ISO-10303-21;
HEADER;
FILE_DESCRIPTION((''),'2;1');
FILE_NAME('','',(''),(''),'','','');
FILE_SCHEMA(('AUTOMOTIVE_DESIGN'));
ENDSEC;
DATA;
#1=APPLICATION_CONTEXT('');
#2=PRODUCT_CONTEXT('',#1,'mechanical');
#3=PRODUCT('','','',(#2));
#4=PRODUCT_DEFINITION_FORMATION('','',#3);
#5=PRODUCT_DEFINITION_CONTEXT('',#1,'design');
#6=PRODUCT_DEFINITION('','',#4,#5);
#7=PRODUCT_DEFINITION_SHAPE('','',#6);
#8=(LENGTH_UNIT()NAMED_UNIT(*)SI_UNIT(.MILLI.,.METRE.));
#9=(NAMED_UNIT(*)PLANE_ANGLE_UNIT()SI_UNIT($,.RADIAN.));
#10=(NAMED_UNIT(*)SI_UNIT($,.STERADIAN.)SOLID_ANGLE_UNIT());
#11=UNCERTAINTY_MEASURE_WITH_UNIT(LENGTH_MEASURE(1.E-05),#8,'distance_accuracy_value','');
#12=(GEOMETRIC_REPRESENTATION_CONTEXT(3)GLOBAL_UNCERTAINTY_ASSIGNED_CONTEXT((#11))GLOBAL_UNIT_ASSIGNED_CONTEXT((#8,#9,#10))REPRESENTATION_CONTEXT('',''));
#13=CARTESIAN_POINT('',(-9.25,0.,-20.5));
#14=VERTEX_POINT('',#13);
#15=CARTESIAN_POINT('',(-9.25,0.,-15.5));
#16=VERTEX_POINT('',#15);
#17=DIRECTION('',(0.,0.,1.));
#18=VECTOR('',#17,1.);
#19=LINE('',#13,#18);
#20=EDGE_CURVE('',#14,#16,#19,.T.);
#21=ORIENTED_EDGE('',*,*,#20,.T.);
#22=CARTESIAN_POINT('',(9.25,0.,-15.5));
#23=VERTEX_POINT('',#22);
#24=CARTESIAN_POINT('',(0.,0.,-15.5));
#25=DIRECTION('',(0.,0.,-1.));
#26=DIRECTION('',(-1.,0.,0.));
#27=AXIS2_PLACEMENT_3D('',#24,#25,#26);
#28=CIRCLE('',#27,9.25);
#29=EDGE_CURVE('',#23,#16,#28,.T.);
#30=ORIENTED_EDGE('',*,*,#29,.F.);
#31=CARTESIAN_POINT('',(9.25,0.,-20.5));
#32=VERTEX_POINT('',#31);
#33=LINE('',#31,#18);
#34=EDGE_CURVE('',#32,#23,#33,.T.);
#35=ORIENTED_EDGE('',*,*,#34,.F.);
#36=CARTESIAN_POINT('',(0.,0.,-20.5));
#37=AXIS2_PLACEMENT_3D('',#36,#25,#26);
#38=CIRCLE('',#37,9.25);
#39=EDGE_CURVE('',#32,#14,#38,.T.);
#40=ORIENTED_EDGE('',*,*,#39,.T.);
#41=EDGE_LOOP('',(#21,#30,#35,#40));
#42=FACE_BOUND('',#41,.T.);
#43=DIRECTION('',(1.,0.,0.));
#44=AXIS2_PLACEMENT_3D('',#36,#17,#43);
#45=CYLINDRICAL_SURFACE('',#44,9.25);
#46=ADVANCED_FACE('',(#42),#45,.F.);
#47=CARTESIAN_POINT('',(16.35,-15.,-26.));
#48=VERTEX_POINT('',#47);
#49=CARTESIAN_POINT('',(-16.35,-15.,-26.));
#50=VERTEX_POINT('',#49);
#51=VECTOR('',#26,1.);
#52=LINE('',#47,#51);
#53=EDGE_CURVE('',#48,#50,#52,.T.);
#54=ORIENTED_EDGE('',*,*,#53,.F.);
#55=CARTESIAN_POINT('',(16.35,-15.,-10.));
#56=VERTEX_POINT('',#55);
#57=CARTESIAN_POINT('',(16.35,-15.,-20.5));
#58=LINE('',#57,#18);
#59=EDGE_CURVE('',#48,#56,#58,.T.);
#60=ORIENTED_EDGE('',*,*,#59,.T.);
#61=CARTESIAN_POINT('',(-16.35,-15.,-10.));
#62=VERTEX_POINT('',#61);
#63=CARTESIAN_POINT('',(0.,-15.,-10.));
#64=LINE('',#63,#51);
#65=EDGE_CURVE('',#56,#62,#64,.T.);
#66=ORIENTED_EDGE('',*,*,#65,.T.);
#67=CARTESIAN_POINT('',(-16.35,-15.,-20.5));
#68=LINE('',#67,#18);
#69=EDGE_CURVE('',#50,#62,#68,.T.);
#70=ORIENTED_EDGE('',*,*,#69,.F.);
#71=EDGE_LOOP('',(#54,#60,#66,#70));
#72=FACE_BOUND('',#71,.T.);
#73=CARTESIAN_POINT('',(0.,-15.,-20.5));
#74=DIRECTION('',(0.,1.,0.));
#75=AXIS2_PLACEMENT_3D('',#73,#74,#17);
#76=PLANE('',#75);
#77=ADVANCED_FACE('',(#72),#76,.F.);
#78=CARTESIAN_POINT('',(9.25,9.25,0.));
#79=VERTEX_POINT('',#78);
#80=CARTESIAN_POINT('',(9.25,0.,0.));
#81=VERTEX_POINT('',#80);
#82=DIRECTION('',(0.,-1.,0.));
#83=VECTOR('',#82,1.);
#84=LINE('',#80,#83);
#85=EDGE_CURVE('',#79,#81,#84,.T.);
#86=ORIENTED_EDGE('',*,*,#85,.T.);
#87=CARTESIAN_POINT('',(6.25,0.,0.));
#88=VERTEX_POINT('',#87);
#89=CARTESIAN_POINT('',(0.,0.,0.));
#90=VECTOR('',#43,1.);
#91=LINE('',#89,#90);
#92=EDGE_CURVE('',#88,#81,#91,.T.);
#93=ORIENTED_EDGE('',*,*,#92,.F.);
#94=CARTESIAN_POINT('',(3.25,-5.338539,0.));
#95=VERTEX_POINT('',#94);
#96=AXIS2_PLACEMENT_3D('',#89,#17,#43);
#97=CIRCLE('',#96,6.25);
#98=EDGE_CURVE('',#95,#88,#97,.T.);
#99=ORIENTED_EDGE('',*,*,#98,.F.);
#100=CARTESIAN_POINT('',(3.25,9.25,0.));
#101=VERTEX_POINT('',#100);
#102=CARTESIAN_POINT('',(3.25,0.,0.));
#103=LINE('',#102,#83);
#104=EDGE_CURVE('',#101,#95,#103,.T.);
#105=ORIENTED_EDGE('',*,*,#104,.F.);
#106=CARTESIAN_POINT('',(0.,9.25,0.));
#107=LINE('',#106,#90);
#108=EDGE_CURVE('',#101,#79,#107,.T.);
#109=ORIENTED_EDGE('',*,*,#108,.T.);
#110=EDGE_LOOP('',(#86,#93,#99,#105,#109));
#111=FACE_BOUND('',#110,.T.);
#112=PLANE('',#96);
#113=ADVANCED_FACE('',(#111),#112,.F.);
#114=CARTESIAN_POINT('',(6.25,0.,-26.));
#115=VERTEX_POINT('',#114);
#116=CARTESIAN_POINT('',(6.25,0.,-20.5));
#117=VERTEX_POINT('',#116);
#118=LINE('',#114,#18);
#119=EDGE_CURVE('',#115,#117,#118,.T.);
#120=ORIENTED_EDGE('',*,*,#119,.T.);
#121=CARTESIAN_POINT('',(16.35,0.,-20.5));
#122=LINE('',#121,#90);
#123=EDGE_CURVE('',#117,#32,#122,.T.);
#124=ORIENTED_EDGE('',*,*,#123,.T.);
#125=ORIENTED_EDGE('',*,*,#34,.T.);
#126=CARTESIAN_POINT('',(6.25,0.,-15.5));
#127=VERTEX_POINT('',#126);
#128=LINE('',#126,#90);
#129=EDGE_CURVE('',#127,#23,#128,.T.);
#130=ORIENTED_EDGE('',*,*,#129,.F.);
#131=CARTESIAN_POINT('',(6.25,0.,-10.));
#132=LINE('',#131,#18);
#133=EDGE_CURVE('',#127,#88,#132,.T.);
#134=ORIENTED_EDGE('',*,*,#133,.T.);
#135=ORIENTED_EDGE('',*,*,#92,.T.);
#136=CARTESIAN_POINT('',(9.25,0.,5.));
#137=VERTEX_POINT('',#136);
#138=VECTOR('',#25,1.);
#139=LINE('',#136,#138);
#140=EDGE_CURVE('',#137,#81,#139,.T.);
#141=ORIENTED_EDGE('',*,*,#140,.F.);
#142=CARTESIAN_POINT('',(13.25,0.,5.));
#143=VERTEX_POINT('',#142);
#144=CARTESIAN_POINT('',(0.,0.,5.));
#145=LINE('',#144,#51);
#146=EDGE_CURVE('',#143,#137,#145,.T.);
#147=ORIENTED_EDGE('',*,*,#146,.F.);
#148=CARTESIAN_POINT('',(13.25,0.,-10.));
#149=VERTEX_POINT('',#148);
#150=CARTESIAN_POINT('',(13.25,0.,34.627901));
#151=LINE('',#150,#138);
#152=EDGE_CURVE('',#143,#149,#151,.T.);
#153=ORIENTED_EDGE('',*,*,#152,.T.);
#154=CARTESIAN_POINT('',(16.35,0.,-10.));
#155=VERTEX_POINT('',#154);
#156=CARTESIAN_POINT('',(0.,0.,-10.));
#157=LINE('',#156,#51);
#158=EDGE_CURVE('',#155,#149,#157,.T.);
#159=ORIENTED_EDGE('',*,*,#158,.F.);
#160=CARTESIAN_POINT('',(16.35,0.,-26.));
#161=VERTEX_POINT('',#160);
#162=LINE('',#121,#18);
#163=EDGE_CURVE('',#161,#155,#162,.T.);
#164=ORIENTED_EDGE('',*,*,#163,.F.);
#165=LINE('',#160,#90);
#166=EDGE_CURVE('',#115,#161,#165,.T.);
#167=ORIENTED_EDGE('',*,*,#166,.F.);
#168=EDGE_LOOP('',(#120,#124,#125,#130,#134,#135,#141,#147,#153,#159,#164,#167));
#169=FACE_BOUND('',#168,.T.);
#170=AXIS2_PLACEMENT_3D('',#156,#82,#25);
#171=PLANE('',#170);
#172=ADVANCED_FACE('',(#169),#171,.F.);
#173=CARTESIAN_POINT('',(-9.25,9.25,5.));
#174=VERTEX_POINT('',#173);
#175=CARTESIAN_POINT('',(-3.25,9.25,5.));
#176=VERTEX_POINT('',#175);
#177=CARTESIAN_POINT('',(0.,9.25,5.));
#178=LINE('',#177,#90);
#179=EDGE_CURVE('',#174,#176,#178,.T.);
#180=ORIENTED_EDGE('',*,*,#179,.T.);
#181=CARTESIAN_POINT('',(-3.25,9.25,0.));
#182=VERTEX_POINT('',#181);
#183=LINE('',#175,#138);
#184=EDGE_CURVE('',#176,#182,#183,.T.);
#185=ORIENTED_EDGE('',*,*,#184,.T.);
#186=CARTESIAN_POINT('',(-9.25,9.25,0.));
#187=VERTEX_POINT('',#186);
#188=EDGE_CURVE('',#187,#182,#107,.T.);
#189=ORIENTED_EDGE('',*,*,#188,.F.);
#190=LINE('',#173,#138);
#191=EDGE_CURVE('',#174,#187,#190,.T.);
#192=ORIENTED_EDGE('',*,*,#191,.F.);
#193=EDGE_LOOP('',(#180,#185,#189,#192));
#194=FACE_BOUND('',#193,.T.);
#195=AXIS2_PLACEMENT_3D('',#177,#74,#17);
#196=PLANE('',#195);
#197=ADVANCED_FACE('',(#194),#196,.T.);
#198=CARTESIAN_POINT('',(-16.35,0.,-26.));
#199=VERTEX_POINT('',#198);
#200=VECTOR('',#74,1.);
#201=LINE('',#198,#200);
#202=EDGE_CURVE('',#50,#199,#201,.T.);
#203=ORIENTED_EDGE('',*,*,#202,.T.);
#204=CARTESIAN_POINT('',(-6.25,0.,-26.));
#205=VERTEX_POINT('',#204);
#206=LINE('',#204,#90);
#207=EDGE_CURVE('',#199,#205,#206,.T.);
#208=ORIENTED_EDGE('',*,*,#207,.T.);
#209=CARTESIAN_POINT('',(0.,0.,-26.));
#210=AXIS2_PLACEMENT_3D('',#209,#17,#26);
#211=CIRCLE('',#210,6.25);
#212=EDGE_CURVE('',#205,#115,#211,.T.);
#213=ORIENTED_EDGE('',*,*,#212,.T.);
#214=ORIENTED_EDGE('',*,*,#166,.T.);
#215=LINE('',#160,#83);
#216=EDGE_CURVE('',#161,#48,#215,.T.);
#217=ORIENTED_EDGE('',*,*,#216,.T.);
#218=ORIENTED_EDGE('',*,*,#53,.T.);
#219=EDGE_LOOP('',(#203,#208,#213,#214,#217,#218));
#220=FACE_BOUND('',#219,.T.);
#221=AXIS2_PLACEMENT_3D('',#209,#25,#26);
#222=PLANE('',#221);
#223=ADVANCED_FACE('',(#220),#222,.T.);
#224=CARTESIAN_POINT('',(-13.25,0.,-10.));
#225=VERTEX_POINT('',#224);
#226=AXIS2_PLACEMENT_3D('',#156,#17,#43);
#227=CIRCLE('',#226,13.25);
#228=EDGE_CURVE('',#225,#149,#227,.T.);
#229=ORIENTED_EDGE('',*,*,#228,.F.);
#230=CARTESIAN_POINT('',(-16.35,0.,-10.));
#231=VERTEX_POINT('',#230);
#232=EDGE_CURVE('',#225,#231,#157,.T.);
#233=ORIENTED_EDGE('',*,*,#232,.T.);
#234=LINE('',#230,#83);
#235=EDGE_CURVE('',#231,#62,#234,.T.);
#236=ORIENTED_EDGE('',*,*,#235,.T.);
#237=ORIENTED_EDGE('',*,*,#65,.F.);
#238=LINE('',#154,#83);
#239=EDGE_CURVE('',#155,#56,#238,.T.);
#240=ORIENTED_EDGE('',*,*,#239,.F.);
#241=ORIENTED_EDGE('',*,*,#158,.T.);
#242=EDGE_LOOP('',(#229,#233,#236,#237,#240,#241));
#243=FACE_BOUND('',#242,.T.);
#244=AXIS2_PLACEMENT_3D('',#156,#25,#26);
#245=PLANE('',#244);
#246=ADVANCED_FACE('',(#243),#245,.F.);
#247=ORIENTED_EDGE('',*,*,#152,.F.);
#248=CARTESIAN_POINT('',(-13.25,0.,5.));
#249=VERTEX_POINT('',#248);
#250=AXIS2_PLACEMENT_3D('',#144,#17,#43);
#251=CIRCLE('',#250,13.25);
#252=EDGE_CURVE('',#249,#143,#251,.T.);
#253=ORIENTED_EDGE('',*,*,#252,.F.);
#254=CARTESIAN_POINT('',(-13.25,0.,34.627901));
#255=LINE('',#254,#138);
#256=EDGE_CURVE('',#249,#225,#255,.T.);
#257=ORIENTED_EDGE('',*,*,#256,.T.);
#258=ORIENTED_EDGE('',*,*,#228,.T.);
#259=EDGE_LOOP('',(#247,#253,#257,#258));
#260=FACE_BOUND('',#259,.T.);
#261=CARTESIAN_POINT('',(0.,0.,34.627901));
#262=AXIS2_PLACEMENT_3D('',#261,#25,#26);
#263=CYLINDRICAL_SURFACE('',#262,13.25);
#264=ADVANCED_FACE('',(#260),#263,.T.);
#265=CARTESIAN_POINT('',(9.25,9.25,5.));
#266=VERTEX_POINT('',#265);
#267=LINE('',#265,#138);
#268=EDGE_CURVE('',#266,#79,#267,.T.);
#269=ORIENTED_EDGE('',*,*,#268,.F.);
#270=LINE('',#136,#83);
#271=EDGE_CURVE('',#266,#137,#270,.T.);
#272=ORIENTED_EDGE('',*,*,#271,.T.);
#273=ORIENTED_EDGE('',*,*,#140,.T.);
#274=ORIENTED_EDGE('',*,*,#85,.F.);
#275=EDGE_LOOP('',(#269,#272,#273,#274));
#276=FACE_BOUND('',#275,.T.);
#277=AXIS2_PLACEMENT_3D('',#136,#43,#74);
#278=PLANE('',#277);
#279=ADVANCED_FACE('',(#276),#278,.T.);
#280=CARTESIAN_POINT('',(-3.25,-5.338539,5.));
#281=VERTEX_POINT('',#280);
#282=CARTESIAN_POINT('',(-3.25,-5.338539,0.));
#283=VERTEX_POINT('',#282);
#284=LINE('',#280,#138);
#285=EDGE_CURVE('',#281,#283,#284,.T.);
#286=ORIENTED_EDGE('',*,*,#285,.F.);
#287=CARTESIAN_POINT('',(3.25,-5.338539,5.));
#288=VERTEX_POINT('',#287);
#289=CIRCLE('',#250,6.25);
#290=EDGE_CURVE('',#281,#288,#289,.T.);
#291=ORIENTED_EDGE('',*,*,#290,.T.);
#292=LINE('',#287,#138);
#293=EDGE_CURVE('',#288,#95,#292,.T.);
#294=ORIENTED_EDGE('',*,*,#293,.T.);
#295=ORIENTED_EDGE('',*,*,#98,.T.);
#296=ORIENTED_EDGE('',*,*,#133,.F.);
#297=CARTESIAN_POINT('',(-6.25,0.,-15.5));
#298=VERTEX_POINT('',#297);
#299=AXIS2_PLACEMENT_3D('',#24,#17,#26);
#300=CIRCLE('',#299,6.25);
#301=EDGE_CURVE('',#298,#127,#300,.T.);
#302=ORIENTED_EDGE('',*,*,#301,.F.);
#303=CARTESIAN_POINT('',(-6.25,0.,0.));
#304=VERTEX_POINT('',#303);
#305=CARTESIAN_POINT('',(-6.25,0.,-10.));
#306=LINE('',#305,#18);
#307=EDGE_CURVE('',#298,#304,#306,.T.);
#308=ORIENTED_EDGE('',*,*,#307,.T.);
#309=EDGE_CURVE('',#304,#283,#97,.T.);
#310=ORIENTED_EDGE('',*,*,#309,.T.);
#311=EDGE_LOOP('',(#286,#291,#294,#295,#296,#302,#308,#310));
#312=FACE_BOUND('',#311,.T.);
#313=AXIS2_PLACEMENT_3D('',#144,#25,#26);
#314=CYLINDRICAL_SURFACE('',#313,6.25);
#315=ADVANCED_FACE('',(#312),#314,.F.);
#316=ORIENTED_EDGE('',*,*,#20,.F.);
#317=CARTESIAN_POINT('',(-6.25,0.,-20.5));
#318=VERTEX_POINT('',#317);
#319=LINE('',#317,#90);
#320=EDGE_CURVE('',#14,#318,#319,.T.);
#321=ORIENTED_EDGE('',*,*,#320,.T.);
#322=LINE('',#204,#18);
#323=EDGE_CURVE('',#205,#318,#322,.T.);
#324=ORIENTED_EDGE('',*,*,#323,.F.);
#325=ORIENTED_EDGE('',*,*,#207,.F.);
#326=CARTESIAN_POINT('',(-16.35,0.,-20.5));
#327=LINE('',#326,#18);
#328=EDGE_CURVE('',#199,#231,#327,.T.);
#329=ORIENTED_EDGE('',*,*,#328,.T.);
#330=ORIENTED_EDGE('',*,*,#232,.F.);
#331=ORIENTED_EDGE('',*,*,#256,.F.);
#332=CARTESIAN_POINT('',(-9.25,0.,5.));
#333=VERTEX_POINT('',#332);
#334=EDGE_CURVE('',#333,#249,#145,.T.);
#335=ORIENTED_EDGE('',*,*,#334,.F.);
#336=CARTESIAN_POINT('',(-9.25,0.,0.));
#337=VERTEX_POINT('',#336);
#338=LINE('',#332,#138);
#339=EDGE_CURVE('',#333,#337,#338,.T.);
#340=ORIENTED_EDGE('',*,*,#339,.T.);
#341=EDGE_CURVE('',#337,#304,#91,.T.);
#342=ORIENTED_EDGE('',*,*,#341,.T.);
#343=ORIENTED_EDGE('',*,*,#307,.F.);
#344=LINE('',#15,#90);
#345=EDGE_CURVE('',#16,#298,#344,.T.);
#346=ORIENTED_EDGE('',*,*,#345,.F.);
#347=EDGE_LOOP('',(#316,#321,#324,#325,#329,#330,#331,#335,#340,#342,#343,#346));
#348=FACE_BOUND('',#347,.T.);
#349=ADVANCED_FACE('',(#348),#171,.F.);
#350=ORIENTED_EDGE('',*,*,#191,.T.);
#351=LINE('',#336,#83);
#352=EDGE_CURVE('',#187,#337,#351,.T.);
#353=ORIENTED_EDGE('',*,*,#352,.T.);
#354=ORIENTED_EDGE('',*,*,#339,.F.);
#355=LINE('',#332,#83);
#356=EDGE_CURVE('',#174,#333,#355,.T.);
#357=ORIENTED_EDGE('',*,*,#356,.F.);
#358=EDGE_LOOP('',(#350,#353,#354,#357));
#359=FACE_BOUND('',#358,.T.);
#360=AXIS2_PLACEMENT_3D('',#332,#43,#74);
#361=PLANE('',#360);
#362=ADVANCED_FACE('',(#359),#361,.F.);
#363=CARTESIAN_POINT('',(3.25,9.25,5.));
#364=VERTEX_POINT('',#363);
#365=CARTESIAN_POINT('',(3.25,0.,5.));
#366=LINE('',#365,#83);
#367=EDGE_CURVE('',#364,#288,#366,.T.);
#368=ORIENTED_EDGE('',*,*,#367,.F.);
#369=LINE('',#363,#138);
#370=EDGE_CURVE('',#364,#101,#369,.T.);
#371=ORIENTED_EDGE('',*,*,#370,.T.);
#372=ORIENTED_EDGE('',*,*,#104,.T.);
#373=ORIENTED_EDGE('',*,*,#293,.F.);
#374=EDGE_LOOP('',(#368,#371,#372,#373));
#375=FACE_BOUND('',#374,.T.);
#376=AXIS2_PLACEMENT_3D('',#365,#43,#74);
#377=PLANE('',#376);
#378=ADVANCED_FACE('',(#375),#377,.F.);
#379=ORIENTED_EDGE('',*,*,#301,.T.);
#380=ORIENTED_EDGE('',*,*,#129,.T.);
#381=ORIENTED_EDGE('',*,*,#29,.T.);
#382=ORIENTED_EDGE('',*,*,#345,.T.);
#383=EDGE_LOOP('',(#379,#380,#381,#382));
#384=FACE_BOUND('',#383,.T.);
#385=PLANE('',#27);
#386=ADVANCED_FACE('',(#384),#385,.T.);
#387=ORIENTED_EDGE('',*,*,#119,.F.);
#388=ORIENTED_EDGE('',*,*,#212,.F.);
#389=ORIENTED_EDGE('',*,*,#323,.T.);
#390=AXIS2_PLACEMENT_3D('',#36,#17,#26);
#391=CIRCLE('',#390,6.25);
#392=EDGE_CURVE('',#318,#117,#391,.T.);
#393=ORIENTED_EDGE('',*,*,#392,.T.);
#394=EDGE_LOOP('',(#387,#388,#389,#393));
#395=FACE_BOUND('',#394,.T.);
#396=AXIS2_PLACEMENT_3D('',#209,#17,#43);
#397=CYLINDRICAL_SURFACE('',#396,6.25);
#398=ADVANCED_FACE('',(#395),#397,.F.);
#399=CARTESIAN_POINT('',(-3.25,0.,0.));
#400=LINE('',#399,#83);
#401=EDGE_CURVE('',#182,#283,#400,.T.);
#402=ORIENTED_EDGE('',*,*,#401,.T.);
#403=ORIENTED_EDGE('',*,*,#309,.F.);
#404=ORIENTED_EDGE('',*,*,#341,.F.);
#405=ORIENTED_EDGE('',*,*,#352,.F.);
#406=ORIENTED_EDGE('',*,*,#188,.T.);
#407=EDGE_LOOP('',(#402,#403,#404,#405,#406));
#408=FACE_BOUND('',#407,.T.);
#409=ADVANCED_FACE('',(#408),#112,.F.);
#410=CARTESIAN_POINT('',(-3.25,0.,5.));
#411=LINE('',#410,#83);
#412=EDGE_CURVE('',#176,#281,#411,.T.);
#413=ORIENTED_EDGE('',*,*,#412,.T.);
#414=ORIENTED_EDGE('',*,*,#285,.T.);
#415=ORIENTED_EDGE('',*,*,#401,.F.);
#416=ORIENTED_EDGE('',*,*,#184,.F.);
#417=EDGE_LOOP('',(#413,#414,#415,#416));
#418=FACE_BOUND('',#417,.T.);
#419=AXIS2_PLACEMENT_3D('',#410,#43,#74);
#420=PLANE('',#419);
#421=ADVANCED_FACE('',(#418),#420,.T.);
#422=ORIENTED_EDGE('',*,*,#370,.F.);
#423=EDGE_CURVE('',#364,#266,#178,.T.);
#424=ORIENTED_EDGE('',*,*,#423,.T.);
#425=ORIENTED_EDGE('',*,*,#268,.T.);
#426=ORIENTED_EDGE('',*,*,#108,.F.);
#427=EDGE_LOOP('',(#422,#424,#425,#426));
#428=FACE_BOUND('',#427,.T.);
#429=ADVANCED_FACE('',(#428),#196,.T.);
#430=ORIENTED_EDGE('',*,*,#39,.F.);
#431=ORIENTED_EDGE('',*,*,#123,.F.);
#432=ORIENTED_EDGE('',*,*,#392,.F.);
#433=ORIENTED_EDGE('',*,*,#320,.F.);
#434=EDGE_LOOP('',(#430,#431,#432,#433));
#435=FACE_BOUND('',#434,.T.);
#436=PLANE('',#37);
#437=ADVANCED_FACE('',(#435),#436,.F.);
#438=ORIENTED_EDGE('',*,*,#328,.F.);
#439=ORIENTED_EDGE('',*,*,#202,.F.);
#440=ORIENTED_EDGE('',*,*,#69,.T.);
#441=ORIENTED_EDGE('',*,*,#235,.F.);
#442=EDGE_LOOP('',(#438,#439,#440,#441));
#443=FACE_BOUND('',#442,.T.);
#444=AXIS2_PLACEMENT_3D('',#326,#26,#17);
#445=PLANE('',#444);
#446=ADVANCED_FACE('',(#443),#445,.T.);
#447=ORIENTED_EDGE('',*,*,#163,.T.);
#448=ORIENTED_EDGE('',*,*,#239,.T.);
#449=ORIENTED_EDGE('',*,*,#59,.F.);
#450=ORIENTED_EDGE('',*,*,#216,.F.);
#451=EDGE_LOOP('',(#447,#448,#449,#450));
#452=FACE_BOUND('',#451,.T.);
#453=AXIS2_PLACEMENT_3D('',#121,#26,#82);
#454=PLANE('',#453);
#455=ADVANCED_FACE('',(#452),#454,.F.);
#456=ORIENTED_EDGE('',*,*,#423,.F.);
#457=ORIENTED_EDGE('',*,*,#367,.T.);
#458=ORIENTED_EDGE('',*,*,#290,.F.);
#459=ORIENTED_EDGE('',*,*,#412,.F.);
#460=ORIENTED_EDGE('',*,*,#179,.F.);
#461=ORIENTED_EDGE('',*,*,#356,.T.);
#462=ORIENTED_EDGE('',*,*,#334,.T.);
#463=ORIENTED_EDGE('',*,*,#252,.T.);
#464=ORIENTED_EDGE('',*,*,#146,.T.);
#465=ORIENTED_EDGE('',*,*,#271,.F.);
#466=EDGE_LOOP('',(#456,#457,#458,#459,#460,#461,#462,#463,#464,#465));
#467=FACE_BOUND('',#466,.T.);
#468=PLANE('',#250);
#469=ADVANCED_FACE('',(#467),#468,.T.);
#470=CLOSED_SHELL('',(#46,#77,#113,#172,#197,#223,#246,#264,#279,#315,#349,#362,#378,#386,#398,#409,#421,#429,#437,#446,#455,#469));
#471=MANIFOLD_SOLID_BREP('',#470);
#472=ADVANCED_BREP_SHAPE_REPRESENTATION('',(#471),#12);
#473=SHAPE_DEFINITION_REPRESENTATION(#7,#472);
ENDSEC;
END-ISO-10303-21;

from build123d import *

# Parameters (mm, degrees)
EXTRUDE_1_DEPTH = 5
EXTRUDE_3_DEPTH = 10
EXTRUDE_4_DEPTH = 10.5
EXTRUDE_6_DEPTH = 15
EXTRUDE_7_DEPTH = 5.5
EXTRUDE_8_DEPTH = 5.5


with BuildPart() as part:
    # 草图1 → 凸台-拉伸1 (new body)
    with BuildSketch(Plane.XY):
        with BuildLine():
            Line((-3.25, 9.25), (-9.25, 9.25))
            Line((-9.25, 9.25), (-9.25, -1.7e-08))
            ThreePointArc((-9.25, -1.7e-08), (9e-09, -9.25), (9.25, 0))
            Line((9.25, 0), (9.25, 9.25))
            Line((9.25, 9.25), (3.25, 9.25))
            Line((3.25, 9.25), (3.25, -5.338539126))
            ThreePointArc((3.25, -5.338539126), (0, -6.25), (-3.25, -5.338539126))
            Line((-3.25, -5.338539126), (-3.25, 9.25))
        make_face()
    extrude(amount=EXTRUDE_1_DEPTH)

    # 草图1<4> → 凸台-拉伸3 (add)
    with BuildSketch(Plane.XY):
        with BuildLine():
            Line((-6.25, 0), (-9.25, 0))
            ThreePointArc((-9.25, -1.7e-08), (9e-09, -9.25), (9.25, 0))
            Line((9.25, 0), (6.25, 0))
            ThreePointArc((6.25, 0), (9e-09, -6.25), (-6.25, -1.8e-08))
        make_face()
    extrude(amount=-EXTRUDE_3_DEPTH)



with BuildPart() as body_2:
    # 草图2 → 凸台-拉伸4 (new body)
    with BuildSketch(Plane(origin=(0, 0, -10), x_dir=(-1, 0, 0), z_dir=(0, 0, -1))):
        with BuildLine():
            ThreePointArc((9.25, 0), (0, -9.25), (-9.25, 0))
            Line((-9.25, 0), (-16.35, 0))
            Line((-16.35, 0), (-16.35, -15))
            Line((-16.35, -15), (16.35, -15))
            Line((16.35, -15), (16.35, 0))
            Line((16.35, 0), (9.25, 0))
        make_face()
    extrude(amount=EXTRUDE_4_DEPTH)


with BuildPart() as part_1:
    add(part.part)

    add(body_2.part)  # 凸台-拉伸6 merges body 2
    # 草图5 → 凸台-拉伸6 (add)
    with BuildSketch(Plane.XY.offset(-10)):
        with BuildLine():
            ThreePointArc((9.25, 0), (0, -9.25), (-9.25, 0))
            Line((-9.25, 0), (-13.25, 0))
            ThreePointArc((-13.25, 0), (0, -13.25), (13.25, 0))
            Line((13.25, 0), (9.25, 0))
        make_face()
    extrude(amount=EXTRUDE_6_DEPTH)

    # 草图6 → 凸台-拉伸7 (add)
    with BuildSketch(Plane(origin=(0, 0, -10), x_dir=(-1, 0, 0), z_dir=(0, 0, -1))):
        with BuildLine():
            Line((9.25, 0), (6.25, 0))
            ThreePointArc((6.25, 0), (0, -6.25), (-6.25, 0))
            Line((-6.25, 0), (-9.25, 0))
            ThreePointArc((-9.25, 0), (0, -9.25), (9.25, 0))
        make_face()
    extrude(amount=EXTRUDE_7_DEPTH)

    # 草图7 → 凸台-拉伸8 (add)
    with BuildSketch(Plane(origin=(0, 0, -20.5), x_dir=(-1, 0, 0), z_dir=(0, 0, -1))):
        with BuildLine():
            Line((16.35, 0), (16.35, -15))
            Line((16.35, -15), (-16.35, -15))
            Line((-16.35, -15), (-16.35, 0))
            Line((-16.35, 0), (-6.25, 0))
            ThreePointArc((-6.25, 0), (0, -6.25), (6.25, 0))
            Line((6.25, 0), (16.35, 0))
        make_face()
    extrude(amount=EXTRUDE_8_DEPTH)


solid = part_1.part
